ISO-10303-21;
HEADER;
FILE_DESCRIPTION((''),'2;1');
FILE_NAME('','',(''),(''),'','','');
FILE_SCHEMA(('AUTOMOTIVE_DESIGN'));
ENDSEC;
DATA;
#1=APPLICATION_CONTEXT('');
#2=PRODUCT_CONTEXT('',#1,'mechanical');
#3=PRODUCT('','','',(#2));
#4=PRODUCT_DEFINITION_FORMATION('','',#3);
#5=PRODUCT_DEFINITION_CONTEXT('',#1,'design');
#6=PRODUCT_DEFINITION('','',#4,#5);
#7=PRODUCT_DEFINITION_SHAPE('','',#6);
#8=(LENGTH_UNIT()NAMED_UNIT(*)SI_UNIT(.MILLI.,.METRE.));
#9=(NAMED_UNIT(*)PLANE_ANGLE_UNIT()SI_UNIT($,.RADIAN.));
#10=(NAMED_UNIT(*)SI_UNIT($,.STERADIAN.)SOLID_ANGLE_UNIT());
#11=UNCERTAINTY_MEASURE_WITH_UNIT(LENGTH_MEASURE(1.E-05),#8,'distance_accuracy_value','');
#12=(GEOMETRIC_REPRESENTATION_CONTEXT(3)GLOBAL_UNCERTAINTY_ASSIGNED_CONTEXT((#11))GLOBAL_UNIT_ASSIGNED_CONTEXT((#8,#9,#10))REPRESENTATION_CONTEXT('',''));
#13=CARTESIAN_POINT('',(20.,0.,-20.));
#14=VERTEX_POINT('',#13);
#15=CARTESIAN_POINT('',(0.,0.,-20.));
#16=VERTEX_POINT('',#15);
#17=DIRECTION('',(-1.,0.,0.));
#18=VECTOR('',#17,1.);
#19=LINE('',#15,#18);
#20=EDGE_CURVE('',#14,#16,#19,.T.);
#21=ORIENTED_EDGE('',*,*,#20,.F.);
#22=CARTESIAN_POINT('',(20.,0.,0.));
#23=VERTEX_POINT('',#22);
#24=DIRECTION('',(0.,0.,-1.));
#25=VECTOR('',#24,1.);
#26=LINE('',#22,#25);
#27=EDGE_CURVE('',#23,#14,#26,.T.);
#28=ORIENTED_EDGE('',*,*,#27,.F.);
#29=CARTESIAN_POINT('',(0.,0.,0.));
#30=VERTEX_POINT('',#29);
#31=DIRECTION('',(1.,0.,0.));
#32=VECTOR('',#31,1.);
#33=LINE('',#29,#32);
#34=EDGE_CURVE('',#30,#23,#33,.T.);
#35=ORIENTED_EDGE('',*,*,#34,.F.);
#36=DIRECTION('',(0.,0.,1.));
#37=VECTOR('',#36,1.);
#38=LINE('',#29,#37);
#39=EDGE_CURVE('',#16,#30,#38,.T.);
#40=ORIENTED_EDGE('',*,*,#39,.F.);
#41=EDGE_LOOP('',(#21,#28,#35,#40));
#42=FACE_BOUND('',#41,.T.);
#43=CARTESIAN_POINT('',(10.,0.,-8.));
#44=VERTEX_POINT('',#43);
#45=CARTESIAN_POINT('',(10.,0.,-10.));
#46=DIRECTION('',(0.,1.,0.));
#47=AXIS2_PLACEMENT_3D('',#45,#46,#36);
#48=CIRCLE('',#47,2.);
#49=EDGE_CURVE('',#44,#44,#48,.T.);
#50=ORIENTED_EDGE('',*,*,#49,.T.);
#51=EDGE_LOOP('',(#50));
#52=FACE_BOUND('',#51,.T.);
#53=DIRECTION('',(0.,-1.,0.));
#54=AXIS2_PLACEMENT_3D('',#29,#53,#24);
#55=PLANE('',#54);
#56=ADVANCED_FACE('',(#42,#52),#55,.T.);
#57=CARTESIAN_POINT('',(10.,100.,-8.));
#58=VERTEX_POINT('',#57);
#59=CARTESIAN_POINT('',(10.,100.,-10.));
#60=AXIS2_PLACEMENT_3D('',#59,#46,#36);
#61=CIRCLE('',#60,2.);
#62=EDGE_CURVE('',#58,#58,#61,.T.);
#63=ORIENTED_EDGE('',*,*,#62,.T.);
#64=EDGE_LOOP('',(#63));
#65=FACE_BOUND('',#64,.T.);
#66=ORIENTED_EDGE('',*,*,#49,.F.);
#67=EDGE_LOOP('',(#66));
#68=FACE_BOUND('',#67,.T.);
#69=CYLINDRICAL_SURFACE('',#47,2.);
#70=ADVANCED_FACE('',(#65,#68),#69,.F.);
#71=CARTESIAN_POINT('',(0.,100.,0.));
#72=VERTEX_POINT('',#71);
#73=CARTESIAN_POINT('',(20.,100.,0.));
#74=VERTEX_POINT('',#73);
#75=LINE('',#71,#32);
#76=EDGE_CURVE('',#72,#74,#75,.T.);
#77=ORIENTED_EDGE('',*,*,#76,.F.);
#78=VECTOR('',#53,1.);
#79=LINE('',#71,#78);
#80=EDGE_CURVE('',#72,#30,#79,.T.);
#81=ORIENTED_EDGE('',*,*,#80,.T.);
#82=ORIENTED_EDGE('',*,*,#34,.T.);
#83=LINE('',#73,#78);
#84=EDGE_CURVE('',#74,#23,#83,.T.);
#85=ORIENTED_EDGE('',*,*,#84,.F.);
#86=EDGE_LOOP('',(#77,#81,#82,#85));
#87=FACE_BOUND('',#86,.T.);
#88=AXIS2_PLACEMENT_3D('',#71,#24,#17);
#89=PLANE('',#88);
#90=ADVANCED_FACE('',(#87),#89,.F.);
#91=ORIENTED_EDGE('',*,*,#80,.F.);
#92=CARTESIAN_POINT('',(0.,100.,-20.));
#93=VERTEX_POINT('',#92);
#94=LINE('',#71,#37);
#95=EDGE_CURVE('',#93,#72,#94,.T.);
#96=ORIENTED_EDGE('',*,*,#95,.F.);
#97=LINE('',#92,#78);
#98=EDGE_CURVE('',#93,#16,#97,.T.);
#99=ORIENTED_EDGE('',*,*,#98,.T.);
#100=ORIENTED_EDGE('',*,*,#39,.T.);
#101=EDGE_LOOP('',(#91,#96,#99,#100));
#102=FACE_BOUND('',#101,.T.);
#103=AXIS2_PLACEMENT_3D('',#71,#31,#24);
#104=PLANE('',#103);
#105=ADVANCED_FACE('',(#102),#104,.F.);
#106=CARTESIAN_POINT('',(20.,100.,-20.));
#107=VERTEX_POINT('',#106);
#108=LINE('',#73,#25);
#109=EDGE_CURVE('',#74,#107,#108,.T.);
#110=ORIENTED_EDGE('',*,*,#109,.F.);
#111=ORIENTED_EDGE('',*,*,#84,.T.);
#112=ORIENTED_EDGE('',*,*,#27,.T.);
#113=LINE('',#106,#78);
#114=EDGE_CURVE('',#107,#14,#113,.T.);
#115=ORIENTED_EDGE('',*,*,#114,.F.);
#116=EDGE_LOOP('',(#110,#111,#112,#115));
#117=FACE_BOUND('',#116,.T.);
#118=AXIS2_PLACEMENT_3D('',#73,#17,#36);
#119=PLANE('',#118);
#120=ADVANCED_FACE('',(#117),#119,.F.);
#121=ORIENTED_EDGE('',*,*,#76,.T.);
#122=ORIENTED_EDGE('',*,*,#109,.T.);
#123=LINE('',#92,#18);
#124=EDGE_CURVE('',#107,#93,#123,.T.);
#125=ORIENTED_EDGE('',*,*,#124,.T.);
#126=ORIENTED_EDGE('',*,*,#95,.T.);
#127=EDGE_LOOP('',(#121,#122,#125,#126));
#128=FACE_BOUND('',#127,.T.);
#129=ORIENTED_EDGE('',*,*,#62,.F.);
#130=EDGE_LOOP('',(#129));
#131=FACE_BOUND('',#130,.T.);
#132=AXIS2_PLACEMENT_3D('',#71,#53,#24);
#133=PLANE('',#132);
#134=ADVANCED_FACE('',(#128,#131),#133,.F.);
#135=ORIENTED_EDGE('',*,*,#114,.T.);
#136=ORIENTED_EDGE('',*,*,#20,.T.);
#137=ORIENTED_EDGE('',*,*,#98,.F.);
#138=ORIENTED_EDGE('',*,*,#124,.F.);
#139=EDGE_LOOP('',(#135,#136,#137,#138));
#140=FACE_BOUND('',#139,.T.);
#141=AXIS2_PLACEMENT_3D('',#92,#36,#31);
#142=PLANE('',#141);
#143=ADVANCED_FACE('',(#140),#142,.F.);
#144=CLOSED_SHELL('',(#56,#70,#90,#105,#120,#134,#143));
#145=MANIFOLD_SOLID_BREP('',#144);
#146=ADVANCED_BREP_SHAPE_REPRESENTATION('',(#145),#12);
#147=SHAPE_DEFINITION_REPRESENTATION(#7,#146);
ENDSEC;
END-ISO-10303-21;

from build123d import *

# Parameters (mm, degrees)
SKETCH1_W           = 20
SKETCH1_H           = 20
BOSS_EXTRUDE1_DEPTH = 100
SKETCH2_R           = 2
CUT_EXTRUDE1_DEPTH  = 100


with BuildPart() as part:
    # Sketch1 → Boss-Extrude1 (new body)
    with BuildSketch(Plane(origin=(0, 0, 0), x_dir=(1, 0, 0), z_dir=(0, 1, 0))):
        with Locations((10, 10)):
            Rectangle(SKETCH1_W, SKETCH1_H)
    extrude(amount=BOSS_EXTRUDE1_DEPTH)

    # Sketch2 → Cut-Extrude1 (cut)
    with BuildSketch(Plane(origin=(0, 100, 0), x_dir=(1, 0, 0), z_dir=(0, 1, 0))):
        with Locations(Location((10, 10, 0), (0, 0, 270))):
            Circle(SKETCH2_R)
    extrude(amount=-CUT_EXTRUDE1_DEPTH, mode=Mode.SUBTRACT)


solid = part.part
